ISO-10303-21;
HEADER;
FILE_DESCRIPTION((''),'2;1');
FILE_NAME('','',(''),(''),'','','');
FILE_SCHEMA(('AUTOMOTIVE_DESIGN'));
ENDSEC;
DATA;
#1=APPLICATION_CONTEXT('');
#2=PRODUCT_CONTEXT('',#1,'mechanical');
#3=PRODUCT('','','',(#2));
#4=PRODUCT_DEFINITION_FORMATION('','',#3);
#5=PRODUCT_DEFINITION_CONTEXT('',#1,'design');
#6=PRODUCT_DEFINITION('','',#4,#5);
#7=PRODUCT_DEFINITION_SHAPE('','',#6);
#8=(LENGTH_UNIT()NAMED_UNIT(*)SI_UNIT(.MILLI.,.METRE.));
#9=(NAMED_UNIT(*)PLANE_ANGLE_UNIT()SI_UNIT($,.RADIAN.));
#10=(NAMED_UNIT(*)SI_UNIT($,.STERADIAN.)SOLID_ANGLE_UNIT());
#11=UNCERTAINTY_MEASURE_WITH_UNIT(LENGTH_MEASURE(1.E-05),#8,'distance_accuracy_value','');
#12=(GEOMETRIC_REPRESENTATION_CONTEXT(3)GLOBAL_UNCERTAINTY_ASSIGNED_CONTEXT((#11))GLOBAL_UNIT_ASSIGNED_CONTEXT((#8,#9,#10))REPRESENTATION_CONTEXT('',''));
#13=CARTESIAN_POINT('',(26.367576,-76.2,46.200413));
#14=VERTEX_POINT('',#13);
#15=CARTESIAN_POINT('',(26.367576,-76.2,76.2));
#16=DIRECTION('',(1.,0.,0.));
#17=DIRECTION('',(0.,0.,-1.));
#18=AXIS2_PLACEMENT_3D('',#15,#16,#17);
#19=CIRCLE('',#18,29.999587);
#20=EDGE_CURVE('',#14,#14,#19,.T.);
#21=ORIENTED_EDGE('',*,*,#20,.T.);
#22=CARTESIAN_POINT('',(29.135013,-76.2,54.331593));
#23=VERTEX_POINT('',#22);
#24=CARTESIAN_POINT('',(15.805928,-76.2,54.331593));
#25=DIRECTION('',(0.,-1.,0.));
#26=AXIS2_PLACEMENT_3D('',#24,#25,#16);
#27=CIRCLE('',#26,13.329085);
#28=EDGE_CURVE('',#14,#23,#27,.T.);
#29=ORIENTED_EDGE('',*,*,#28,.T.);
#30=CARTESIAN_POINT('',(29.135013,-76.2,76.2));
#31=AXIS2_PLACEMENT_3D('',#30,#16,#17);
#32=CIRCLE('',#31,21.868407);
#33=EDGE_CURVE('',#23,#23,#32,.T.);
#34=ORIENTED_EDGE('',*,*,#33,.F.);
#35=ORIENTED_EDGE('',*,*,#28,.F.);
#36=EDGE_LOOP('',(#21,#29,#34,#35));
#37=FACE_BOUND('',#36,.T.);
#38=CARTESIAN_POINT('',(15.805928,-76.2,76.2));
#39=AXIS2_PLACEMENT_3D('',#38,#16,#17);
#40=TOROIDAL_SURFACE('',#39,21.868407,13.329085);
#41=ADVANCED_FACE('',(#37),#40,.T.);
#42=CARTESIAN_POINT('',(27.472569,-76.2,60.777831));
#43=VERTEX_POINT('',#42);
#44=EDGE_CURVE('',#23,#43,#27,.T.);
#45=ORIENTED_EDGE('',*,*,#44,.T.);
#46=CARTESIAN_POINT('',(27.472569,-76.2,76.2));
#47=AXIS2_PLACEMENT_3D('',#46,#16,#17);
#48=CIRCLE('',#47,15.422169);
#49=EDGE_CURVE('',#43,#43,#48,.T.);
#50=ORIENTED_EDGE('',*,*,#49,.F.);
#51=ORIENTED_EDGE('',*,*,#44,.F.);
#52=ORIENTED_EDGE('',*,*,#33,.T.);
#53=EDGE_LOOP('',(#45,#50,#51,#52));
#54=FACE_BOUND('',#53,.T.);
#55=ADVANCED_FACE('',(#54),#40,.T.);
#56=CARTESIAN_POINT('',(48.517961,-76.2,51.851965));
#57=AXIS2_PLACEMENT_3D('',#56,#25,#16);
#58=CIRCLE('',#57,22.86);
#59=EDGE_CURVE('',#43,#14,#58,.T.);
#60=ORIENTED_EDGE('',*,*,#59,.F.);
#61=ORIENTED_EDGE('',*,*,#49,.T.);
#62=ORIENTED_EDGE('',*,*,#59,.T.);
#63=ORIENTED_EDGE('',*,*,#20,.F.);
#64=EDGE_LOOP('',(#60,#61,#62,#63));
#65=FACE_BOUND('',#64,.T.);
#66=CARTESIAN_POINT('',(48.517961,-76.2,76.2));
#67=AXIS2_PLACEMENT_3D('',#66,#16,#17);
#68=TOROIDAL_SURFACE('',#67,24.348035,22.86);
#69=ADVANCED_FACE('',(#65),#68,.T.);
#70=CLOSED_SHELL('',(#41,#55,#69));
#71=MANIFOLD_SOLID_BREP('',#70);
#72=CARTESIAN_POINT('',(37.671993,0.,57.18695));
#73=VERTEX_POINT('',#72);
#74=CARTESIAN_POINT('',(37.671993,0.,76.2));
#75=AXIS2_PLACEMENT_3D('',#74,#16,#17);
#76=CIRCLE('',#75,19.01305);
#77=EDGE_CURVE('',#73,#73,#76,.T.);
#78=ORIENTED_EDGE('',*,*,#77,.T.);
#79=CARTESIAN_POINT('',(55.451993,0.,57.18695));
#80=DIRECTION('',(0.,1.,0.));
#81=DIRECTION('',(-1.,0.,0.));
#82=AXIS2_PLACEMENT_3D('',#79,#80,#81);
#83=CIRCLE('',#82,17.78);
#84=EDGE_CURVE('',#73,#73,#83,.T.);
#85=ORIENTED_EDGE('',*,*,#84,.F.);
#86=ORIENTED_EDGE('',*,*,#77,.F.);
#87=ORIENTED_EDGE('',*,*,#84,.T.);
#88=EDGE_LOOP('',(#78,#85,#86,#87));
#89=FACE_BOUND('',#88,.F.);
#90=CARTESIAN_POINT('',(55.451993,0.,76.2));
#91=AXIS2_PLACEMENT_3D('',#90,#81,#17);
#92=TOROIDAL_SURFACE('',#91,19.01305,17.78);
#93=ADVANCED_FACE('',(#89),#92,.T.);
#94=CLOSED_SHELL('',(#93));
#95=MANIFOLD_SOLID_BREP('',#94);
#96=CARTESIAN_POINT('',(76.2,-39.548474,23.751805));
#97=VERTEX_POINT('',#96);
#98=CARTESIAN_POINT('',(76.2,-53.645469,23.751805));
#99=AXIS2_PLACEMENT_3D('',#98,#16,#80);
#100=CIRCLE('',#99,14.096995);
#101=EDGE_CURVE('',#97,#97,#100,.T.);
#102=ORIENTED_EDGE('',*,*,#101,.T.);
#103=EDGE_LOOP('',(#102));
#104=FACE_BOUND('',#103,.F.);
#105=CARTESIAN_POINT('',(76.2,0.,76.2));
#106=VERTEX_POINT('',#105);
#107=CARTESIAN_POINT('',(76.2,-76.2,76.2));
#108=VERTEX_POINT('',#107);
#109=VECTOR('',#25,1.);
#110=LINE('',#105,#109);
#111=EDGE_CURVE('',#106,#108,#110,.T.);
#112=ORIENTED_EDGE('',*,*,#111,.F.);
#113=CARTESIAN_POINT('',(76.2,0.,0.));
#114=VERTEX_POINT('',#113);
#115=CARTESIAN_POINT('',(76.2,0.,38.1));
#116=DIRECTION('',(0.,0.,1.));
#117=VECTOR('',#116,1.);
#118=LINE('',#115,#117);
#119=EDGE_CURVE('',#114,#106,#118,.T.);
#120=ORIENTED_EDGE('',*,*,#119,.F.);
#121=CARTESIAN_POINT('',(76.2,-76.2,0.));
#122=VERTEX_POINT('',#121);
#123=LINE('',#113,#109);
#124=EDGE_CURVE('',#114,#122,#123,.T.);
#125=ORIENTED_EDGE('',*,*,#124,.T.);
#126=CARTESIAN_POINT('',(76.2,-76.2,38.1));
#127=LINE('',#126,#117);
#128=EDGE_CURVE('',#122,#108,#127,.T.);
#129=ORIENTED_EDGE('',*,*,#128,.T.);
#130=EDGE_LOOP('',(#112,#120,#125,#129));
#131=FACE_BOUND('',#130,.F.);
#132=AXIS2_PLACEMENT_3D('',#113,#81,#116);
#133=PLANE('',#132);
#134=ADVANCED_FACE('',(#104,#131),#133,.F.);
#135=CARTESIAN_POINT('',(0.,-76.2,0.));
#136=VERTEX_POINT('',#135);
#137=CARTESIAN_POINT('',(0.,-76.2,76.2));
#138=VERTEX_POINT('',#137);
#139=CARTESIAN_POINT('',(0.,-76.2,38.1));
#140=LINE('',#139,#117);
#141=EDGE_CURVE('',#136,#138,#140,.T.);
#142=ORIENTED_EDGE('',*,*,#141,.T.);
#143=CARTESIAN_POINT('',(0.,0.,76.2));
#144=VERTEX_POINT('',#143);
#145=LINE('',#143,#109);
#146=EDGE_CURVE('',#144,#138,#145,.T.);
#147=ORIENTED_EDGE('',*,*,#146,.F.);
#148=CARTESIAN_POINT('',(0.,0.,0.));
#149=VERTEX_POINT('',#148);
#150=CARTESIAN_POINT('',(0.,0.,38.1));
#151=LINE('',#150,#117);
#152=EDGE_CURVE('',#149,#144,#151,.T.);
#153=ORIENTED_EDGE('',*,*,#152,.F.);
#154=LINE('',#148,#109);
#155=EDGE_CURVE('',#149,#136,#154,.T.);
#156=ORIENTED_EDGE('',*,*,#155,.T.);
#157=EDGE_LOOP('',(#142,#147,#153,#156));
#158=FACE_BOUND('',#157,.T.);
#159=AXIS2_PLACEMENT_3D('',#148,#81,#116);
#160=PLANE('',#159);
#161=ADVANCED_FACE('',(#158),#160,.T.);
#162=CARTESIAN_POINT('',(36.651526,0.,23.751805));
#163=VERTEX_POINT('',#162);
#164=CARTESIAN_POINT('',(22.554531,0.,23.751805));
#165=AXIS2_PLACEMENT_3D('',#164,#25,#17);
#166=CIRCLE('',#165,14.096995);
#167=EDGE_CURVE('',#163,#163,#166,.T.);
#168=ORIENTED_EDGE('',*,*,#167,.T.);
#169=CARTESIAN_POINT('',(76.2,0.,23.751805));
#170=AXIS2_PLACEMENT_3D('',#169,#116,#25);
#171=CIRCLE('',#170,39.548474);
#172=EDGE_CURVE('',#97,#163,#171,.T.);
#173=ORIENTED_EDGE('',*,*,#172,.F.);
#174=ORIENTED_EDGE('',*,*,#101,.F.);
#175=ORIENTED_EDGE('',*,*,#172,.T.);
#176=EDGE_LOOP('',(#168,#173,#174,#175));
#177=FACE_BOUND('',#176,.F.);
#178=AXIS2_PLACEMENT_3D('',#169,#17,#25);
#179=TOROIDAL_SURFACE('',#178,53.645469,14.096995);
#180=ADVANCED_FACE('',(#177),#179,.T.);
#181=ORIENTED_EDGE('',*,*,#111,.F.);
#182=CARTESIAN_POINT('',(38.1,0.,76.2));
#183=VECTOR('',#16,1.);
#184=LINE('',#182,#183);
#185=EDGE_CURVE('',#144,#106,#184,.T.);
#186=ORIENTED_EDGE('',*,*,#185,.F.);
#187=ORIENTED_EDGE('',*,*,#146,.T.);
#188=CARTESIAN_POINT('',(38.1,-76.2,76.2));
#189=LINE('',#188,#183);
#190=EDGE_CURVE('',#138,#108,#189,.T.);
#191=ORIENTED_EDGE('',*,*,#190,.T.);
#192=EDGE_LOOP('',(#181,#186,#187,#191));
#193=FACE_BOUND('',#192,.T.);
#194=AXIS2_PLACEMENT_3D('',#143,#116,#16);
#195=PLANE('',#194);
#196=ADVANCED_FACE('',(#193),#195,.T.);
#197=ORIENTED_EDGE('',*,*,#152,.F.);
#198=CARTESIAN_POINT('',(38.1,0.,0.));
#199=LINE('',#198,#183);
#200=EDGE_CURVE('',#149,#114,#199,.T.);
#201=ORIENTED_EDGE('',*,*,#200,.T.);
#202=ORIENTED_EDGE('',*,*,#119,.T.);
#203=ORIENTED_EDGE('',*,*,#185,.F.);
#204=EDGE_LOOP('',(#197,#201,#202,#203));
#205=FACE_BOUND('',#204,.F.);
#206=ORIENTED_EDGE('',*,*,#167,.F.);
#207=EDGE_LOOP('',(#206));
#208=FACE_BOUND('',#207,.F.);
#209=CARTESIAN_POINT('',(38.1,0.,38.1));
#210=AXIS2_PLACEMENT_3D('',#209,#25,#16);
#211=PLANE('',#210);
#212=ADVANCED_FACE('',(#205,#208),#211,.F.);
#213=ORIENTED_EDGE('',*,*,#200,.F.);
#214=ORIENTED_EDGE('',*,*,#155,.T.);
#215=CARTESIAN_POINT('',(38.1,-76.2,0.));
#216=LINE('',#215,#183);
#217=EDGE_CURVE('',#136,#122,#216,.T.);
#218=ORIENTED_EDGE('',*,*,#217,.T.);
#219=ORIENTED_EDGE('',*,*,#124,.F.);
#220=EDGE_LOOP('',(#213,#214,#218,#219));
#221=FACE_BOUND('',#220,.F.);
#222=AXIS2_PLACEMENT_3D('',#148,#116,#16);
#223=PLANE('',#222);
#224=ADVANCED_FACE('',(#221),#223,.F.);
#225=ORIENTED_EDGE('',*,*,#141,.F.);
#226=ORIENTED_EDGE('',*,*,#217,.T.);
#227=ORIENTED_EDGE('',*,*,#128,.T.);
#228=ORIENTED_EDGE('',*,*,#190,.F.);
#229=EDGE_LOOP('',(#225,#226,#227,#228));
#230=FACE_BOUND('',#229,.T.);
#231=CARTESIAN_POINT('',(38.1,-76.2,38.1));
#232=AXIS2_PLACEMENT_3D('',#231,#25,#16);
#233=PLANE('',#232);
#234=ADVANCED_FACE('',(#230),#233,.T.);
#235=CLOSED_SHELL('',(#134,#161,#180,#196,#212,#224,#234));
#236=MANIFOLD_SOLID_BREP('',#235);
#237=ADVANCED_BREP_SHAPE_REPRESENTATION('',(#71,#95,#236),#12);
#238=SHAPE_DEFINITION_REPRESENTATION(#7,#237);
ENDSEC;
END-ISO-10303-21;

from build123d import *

# Parameters (mm, degrees)
F0_W     = 76.2
F0_H     = 76.2
F1_DEPTH = 76.2
F2_R     = 13.3290847302
F4_R     = 17.78
F6_R     = 22.86
F9_R     = 14.0969951111


with BuildPart() as f1:
    # F0 (on Front) → F1 (new body)
    with BuildSketch(Plane.XZ):
        with Locations((38.1, 38.1)):
            Rectangle(F0_W, F0_H)
    extrude(amount=F1_DEPTH)

    # F9 (on face) → F10 (revolve)
    with BuildSketch(Plane.YZ.offset(76.2)):
        with Locations((-53.6454692483, 23.7518046051)):
            Circle(F9_R)
    revolve(axis=Axis((76.2, 0, 38.1), (0, 0, 1)))


with BuildPart() as f3:
    # F2 (on face) → F3 (revolve)
    with BuildSketch(Plane.XZ.offset(76.2)):
        with Locations((15.8059280366, 54.3315932155)):
            Circle(F2_R)
    revolve(axis=Axis((38.1, -76.2, 76.2), (1, 0, 0)))


with BuildPart() as f5:
    # F4 (on face) → F5 (revolve)
    with BuildSketch(Plane(origin=(0, 0, 0), x_dir=(-1, 0, 0), z_dir=(0, 1, 0))):
        with Locations((-55.4519928992, 57.1869499981)):
            Circle(F4_R)
    revolve(axis=Axis((38.1, 0, 76.2), (1, 0, 0)))


with BuildPart() as f7:
    # F6 (on face) → F7 (revolve)
    with BuildSketch(Plane.XZ.offset(76.2)):
        with Locations((48.517961055, 51.851965487)):
            Circle(F6_R)
    revolve(axis=Axis((38.1, -76.2, 76.2), (1, 0, 0)))

    # F8: intersect F3
    add(f3.part, mode=Mode.INTERSECT)


solid = Compound([f1.part, f5.part, f7.part])
